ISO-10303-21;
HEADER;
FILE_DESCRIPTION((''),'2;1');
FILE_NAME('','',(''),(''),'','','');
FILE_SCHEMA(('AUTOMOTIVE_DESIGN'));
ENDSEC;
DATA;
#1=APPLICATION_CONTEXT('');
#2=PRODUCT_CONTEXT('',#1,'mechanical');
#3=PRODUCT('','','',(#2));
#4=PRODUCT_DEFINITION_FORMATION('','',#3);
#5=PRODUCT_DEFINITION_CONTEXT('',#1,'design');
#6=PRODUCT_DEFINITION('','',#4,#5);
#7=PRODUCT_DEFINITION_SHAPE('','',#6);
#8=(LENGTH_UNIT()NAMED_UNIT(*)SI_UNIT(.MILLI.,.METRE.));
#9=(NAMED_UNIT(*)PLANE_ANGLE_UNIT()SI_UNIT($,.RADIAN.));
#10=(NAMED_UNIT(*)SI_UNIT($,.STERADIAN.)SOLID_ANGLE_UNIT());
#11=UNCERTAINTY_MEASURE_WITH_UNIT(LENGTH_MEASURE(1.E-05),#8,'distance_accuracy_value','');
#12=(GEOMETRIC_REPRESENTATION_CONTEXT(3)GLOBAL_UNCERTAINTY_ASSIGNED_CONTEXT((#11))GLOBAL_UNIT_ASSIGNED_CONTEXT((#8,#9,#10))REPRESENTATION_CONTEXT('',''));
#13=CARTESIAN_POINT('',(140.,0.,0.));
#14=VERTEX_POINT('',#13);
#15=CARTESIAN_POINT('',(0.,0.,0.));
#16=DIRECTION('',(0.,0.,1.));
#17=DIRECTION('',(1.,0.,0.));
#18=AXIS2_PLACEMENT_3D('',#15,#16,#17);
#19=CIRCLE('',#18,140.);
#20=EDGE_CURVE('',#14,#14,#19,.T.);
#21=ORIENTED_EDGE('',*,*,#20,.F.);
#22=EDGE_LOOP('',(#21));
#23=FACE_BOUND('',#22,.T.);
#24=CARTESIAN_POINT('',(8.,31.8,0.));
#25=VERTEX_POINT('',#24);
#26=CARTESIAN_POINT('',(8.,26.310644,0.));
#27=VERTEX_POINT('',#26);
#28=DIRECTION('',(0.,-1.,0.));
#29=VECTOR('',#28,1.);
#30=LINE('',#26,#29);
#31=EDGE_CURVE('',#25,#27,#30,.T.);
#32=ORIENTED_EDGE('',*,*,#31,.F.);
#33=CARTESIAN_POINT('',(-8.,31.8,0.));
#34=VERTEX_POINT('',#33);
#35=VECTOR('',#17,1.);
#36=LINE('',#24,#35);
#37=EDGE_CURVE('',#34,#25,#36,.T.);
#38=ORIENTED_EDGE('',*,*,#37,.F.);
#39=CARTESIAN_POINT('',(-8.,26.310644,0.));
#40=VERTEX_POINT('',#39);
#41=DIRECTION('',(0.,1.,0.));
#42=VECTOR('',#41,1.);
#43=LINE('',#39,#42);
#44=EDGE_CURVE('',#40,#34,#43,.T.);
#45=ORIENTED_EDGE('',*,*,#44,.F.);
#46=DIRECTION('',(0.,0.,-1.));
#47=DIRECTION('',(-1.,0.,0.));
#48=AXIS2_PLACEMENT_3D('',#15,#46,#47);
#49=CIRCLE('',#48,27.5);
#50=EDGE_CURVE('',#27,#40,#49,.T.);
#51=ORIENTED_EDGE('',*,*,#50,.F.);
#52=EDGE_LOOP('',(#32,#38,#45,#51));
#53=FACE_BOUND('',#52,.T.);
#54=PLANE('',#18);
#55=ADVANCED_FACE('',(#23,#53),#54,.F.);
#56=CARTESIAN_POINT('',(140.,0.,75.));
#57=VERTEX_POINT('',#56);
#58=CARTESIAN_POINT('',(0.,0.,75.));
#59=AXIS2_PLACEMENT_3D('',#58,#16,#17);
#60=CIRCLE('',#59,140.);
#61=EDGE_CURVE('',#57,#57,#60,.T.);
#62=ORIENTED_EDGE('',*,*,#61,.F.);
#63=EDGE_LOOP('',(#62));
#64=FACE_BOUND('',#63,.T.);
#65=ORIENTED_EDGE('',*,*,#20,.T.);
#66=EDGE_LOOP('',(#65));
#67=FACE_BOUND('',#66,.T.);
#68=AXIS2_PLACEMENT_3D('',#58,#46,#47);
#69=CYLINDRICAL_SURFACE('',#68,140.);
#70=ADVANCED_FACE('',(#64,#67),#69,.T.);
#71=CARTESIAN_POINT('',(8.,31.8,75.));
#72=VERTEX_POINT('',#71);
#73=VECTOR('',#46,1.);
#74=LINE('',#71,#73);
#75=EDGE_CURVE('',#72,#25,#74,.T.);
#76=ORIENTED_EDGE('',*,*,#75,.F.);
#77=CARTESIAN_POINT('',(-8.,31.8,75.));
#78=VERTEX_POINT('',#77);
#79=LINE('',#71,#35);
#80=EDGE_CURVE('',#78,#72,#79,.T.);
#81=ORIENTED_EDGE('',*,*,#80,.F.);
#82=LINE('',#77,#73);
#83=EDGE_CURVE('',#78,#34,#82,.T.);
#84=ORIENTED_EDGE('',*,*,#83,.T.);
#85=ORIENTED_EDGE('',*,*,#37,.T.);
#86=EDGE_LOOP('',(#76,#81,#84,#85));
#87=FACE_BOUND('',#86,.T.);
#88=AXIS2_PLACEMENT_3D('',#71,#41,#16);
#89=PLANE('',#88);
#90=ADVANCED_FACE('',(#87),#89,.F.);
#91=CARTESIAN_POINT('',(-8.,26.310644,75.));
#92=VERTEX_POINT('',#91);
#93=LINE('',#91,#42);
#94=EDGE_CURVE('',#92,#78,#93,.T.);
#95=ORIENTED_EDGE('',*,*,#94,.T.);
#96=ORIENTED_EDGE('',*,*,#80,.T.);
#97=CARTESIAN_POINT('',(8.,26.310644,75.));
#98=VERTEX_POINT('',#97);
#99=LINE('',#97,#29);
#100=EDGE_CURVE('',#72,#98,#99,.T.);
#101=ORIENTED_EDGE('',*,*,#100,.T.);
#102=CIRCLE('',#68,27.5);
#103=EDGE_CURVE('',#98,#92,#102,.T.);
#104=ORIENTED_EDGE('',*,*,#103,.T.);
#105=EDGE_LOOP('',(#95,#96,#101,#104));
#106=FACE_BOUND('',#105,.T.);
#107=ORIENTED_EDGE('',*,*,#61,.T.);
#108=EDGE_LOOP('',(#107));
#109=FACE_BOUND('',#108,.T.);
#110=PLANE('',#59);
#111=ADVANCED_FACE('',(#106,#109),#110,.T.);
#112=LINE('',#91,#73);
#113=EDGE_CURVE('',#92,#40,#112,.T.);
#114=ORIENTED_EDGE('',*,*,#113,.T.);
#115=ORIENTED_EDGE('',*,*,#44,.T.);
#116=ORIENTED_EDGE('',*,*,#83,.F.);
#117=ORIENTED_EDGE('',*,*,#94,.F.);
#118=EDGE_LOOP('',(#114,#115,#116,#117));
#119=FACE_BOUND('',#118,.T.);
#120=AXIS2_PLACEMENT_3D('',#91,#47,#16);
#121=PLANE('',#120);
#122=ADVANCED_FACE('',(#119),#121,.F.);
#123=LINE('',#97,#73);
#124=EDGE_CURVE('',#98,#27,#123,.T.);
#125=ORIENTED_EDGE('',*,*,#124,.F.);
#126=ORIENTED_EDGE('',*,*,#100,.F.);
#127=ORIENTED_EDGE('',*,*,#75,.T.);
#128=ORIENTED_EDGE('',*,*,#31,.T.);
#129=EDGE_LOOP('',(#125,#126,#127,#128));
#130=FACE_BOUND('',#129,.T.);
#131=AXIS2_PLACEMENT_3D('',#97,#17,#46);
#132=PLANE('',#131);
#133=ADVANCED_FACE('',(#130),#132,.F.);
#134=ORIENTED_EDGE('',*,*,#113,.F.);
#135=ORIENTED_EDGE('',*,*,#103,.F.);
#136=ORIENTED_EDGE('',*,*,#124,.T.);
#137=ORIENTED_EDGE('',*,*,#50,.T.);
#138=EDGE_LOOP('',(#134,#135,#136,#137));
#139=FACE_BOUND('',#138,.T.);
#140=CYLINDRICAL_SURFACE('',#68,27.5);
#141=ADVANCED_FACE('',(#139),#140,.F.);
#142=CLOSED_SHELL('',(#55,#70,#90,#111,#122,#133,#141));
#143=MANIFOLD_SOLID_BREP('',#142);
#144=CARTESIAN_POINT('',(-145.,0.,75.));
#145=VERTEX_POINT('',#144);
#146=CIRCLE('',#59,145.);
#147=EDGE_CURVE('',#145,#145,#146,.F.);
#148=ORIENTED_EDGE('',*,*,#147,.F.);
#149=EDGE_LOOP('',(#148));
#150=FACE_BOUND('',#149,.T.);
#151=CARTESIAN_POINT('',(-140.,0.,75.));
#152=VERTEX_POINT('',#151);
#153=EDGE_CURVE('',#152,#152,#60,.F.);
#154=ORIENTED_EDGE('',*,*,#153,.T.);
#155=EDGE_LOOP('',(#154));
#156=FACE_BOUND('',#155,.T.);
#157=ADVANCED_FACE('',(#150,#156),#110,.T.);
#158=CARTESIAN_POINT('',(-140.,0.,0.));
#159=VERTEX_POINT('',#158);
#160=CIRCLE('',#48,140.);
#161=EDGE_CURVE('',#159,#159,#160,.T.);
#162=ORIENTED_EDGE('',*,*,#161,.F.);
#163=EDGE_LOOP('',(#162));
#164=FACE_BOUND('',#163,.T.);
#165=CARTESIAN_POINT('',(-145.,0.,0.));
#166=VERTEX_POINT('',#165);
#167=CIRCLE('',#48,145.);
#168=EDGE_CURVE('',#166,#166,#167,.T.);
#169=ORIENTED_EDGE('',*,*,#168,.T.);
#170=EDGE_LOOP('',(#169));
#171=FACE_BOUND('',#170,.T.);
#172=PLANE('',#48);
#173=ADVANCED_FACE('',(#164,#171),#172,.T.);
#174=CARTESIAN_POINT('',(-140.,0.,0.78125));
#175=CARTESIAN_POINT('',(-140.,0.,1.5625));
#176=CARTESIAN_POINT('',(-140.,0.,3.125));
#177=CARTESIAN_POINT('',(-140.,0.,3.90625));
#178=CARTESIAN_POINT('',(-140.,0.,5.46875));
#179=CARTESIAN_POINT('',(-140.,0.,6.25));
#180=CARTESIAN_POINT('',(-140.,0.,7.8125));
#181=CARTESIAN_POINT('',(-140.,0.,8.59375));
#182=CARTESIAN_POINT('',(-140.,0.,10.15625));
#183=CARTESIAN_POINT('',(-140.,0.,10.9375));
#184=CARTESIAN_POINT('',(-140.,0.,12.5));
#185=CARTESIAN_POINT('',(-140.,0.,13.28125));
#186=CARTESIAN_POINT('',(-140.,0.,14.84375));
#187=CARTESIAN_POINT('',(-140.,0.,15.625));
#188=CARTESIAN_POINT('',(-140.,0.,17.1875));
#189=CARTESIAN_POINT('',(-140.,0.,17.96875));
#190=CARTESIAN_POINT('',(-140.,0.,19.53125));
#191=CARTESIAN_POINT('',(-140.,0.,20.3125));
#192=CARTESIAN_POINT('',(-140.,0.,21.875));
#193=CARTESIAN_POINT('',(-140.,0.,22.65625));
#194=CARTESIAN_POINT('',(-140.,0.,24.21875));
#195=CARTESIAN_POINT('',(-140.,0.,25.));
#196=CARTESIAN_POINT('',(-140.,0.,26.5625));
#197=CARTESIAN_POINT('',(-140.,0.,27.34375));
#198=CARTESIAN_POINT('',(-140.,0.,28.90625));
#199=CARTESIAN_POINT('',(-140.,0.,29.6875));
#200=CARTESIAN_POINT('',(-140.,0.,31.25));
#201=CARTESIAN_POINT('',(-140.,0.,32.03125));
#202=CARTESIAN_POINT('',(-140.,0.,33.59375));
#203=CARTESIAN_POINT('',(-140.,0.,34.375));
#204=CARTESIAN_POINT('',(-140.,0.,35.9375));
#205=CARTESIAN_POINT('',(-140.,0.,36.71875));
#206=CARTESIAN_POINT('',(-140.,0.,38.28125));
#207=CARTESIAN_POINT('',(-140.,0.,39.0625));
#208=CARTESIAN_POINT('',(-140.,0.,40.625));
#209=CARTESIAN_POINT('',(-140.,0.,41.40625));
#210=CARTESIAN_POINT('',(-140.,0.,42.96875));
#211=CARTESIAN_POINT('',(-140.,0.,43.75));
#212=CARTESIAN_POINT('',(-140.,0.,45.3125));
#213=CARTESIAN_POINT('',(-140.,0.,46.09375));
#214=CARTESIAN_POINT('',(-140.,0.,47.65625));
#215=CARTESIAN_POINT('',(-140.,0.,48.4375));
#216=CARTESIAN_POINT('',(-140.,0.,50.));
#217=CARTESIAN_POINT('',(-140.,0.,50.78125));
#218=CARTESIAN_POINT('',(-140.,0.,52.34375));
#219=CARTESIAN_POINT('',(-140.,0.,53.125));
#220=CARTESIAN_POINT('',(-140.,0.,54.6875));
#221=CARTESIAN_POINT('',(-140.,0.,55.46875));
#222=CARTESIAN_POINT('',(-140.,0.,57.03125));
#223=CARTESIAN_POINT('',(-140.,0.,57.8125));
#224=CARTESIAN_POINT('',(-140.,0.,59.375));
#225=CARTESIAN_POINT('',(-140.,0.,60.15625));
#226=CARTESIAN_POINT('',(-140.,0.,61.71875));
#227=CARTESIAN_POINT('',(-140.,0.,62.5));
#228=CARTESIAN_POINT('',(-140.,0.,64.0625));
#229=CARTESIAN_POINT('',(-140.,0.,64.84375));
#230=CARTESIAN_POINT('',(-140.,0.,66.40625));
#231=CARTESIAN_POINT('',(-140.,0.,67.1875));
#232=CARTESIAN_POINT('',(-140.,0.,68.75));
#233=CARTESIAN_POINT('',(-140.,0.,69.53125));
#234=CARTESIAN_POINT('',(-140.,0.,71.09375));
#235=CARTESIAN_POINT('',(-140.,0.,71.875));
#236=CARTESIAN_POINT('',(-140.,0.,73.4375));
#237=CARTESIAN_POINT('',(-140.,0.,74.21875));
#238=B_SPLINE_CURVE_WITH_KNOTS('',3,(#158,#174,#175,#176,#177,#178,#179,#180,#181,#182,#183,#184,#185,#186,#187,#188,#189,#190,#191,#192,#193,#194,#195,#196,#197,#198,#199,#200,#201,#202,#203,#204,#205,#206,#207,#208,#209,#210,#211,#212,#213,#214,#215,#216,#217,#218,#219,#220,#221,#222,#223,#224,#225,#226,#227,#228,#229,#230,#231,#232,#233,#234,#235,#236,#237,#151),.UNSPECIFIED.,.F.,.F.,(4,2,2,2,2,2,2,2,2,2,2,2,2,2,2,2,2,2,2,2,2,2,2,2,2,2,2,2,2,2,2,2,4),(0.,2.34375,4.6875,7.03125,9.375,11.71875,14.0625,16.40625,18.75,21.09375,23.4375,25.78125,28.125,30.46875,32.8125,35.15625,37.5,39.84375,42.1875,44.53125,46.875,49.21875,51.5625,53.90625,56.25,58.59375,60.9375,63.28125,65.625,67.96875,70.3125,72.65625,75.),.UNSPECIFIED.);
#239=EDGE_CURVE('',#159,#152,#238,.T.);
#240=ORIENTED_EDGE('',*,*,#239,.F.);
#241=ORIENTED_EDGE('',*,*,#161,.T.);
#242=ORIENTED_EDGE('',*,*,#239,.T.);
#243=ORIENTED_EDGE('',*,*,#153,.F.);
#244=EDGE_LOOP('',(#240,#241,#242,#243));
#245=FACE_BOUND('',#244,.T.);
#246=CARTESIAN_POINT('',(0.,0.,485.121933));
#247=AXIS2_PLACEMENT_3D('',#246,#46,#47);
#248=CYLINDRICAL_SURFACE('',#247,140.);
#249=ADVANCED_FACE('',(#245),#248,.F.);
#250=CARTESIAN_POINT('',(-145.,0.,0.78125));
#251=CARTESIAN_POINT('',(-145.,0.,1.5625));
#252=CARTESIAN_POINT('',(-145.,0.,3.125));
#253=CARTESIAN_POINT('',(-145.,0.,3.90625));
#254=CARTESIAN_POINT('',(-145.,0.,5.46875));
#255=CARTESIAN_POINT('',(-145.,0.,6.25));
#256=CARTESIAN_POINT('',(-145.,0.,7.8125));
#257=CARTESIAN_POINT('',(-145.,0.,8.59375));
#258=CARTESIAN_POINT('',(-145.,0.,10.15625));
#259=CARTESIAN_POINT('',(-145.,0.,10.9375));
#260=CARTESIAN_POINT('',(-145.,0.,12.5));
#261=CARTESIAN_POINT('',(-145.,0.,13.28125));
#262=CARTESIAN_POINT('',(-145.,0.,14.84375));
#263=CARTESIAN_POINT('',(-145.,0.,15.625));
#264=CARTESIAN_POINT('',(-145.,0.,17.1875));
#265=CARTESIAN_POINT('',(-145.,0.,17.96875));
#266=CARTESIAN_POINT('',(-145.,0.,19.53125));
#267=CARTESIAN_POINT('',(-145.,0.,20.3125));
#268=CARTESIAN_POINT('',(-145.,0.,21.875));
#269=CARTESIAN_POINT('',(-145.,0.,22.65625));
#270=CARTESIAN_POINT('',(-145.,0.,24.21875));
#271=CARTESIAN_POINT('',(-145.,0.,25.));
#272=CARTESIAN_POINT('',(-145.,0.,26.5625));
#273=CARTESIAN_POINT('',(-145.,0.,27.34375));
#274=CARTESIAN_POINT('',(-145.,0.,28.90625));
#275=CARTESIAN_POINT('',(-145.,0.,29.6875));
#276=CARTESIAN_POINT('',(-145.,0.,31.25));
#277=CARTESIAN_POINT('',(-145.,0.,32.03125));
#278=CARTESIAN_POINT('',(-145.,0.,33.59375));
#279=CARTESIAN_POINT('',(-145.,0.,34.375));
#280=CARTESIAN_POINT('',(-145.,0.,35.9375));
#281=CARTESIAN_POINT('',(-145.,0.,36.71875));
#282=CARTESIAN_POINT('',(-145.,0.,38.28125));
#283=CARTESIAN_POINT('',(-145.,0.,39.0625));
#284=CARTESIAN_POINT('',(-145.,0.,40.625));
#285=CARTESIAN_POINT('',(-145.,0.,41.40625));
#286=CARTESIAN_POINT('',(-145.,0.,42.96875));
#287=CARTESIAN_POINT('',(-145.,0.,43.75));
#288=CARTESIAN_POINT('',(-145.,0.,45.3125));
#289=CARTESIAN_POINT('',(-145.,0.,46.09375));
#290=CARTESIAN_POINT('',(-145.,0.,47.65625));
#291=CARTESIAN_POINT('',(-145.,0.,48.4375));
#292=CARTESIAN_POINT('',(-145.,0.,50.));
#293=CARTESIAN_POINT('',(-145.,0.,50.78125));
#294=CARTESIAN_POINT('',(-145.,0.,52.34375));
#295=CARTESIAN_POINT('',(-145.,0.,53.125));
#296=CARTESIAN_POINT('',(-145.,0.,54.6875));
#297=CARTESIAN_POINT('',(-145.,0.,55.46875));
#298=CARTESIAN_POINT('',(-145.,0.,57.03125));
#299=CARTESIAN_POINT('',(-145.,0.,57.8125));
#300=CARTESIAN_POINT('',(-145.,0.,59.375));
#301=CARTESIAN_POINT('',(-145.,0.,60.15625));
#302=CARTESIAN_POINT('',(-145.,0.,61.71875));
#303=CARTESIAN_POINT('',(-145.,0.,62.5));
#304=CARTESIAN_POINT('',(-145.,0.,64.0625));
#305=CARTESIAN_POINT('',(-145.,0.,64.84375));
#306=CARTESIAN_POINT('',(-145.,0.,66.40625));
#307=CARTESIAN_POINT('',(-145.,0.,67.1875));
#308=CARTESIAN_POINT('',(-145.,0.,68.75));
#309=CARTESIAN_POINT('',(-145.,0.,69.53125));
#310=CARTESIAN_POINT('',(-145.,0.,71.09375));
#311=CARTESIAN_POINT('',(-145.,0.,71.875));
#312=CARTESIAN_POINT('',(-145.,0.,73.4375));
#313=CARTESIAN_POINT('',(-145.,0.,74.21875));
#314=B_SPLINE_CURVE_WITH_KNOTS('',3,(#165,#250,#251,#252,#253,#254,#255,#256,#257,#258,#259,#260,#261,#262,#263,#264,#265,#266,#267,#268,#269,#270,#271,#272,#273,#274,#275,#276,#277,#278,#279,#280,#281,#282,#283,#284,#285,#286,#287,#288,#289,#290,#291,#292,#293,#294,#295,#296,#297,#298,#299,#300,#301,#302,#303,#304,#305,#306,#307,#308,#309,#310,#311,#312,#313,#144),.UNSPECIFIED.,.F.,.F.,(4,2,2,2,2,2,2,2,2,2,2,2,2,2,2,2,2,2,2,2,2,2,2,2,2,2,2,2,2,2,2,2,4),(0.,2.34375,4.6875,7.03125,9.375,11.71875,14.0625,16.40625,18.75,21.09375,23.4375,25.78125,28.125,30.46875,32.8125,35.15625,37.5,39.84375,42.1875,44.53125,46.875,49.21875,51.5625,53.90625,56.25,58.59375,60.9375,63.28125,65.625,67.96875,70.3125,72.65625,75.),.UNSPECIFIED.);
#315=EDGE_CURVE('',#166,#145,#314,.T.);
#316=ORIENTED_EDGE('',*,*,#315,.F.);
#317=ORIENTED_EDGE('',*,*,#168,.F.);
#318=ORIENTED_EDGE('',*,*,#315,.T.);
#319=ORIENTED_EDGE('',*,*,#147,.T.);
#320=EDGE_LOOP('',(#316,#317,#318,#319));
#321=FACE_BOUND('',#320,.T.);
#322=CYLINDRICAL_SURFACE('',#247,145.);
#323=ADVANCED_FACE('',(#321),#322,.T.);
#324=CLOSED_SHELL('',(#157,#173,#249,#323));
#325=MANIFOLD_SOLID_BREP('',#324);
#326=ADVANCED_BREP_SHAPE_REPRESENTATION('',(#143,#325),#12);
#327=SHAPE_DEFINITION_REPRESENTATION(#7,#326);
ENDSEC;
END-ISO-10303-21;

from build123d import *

# Parameters (mm, degrees)
SKETCH1_R           = 140
BOSS_EXTRUDE1_DEPTH = 75
SKETCH2_R           = 27.5
CUT_EXTRUDE1_DEPTH  = 212.719153597
CUT_EXTRUDE2_DEPTH  = 212.719153597
SKETCH4_R           = 145
SKETCH4_R_2         = 140
BOSS_EXTRUDE2_DEPTH = 75


with BuildPart() as part:
    # Sketch1 → Boss-Extrude1 (new body)
    with BuildSketch(Plane.XY):
        Circle(SKETCH1_R)
    extrude(amount=BOSS_EXTRUDE1_DEPTH)

    # Sketch2 → Cut-Extrude1 (cut, through all)
    with BuildSketch(Plane(origin=(0, 0, 0), x_dir=(-1, 0, 0), z_dir=(0, 0, -1))):
        Circle(SKETCH2_R)
    extrude(amount=-CUT_EXTRUDE1_DEPTH, mode=Mode.SUBTRACT)

    # Sketch3 → Cut-Extrude2 (cut, through all)
    with BuildSketch(Plane(origin=(0, 0, 0), x_dir=(-1, 0, 0), z_dir=(0, 0, -1))):
        with BuildLine():
            Line((-8, 26.310644234), (-8, 31.8))
            Line((-8, 31.8), (8, 31.8))
            Line((8, 31.8), (8, 26.310644234))
            ThreePointArc((8, 26.310644234), (0, 27.5), (-8, 26.310644234))
        make_face()
    extrude(amount=-CUT_EXTRUDE2_DEPTH, mode=Mode.SUBTRACT)


with BuildPart() as body_2:
    # Sketch4 → Boss-Extrude2 (new body)
    with BuildSketch(Plane(origin=(0, 0, 0), x_dir=(-1, 0, 0), z_dir=(0, 0, -1))):
        Circle(SKETCH4_R)
        Circle(SKETCH4_R_2, mode=Mode.SUBTRACT)
    extrude(amount=-BOSS_EXTRUDE2_DEPTH)


solid = Compound([part.part, body_2.part])
